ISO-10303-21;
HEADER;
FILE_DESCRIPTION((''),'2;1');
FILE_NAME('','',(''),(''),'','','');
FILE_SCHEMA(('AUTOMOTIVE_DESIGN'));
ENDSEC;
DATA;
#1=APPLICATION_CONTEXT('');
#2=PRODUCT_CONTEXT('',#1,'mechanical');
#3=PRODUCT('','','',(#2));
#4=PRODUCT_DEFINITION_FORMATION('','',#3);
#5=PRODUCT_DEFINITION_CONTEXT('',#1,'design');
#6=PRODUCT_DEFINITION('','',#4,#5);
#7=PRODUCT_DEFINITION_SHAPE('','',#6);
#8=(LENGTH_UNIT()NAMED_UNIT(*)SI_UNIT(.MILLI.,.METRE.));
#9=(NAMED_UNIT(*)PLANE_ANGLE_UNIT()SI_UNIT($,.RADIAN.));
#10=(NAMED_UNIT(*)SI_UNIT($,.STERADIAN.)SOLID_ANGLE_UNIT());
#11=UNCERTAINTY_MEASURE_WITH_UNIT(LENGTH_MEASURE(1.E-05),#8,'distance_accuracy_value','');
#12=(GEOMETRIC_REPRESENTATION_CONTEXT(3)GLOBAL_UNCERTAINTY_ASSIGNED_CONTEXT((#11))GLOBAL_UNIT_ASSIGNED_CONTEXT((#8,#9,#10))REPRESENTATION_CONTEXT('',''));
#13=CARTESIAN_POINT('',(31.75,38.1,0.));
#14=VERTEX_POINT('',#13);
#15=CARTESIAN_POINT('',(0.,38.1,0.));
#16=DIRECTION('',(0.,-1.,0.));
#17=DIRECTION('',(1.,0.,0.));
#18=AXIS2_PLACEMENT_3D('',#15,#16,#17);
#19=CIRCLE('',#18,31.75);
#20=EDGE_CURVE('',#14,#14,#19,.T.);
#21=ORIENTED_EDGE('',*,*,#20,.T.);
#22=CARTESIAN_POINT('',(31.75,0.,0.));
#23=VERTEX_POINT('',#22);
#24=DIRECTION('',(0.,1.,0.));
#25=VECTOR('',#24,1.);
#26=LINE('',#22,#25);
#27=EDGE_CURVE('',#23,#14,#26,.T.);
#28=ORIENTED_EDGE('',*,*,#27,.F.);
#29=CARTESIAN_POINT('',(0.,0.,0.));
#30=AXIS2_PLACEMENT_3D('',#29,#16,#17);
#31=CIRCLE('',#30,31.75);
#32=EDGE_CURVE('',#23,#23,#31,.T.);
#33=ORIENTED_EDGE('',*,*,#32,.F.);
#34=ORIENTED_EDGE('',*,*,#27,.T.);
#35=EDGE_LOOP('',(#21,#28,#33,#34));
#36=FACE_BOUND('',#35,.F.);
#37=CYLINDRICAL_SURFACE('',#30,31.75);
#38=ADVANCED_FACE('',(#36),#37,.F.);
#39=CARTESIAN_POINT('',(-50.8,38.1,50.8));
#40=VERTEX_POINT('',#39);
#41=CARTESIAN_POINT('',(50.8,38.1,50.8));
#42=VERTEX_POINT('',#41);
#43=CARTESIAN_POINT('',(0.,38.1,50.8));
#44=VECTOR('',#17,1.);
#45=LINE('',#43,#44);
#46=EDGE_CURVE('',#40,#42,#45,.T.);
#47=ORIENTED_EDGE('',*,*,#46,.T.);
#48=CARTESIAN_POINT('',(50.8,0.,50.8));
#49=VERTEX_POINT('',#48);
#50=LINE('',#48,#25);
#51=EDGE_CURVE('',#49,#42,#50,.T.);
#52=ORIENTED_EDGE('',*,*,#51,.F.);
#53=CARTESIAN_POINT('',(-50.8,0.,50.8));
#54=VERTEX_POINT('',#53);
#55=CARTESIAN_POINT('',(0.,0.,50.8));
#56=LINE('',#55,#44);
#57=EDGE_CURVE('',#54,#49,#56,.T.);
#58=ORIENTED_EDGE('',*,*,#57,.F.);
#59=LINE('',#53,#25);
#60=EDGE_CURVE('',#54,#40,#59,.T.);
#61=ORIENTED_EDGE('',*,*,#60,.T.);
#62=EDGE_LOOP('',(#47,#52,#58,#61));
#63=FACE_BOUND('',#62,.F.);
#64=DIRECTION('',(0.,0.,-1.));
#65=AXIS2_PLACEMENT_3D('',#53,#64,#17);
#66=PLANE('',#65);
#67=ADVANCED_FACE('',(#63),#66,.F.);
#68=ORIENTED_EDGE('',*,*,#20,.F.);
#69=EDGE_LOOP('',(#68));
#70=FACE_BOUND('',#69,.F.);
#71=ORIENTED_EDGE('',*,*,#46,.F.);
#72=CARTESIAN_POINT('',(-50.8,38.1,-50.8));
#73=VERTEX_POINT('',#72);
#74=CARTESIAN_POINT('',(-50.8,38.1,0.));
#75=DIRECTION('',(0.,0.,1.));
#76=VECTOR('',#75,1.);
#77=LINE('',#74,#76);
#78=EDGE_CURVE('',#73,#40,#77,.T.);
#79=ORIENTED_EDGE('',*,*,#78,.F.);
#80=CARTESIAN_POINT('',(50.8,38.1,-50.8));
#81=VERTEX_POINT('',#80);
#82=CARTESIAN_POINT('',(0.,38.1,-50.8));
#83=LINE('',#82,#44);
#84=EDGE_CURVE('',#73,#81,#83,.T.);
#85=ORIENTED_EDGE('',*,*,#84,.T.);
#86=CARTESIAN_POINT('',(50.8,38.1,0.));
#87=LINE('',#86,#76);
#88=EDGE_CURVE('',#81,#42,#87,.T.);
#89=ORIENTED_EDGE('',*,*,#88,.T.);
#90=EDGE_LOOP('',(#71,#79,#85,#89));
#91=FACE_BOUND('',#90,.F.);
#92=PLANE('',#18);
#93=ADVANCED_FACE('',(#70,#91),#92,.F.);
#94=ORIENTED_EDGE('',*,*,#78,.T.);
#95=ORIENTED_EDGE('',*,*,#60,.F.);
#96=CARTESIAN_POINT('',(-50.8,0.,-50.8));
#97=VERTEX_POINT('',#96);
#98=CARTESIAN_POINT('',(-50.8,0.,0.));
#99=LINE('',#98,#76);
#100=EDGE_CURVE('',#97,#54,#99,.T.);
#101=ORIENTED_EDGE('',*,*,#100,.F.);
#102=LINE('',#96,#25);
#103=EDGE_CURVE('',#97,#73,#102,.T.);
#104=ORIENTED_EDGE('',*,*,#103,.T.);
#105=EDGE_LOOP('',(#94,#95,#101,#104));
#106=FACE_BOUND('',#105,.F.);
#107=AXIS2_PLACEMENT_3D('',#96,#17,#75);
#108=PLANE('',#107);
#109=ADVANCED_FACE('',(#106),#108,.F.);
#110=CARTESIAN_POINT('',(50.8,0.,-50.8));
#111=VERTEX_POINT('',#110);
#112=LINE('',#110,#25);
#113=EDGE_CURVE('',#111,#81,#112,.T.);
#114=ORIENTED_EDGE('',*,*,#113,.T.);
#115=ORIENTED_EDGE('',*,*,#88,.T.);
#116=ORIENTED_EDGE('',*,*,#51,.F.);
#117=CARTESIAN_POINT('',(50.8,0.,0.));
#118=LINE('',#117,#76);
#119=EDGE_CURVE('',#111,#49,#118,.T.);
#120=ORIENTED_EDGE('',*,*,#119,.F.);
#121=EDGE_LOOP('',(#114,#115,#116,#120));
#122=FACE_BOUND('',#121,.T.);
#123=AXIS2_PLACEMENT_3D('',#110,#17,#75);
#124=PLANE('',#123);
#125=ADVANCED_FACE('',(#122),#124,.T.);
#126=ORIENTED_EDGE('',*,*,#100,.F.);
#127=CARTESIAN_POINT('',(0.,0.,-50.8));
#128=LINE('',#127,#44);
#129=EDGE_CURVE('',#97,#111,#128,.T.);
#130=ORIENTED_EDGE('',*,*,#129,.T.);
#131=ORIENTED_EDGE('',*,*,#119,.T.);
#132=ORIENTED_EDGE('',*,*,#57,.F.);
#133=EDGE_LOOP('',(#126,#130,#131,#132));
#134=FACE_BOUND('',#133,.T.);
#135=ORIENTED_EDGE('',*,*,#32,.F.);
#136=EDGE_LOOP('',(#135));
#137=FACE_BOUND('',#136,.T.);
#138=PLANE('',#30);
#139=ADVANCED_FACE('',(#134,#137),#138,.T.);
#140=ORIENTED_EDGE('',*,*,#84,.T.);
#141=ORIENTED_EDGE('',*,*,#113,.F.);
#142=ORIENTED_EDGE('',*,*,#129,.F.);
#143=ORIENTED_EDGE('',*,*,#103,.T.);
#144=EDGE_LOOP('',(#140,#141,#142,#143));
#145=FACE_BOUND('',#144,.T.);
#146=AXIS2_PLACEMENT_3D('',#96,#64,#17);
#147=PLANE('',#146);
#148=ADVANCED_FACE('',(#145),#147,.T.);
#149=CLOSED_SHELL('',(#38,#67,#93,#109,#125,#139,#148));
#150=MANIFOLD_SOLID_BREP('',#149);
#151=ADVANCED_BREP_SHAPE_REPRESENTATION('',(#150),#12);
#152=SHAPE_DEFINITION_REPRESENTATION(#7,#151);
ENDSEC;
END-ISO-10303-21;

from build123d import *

# Parameters (mm, degrees)
F0_W     = 101.6
F0_H     = 101.6
F0_R     = 31.75
F1_DEPTH = 38.1


with BuildPart() as f1:
    # F0 (on Front) → F1 (new body)
    with BuildSketch(Plane.XZ):
        Rectangle(F0_W, F0_H)
        Circle(F0_R, mode=Mode.SUBTRACT)
    extrude(amount=-F1_DEPTH)


solid = f1.part
